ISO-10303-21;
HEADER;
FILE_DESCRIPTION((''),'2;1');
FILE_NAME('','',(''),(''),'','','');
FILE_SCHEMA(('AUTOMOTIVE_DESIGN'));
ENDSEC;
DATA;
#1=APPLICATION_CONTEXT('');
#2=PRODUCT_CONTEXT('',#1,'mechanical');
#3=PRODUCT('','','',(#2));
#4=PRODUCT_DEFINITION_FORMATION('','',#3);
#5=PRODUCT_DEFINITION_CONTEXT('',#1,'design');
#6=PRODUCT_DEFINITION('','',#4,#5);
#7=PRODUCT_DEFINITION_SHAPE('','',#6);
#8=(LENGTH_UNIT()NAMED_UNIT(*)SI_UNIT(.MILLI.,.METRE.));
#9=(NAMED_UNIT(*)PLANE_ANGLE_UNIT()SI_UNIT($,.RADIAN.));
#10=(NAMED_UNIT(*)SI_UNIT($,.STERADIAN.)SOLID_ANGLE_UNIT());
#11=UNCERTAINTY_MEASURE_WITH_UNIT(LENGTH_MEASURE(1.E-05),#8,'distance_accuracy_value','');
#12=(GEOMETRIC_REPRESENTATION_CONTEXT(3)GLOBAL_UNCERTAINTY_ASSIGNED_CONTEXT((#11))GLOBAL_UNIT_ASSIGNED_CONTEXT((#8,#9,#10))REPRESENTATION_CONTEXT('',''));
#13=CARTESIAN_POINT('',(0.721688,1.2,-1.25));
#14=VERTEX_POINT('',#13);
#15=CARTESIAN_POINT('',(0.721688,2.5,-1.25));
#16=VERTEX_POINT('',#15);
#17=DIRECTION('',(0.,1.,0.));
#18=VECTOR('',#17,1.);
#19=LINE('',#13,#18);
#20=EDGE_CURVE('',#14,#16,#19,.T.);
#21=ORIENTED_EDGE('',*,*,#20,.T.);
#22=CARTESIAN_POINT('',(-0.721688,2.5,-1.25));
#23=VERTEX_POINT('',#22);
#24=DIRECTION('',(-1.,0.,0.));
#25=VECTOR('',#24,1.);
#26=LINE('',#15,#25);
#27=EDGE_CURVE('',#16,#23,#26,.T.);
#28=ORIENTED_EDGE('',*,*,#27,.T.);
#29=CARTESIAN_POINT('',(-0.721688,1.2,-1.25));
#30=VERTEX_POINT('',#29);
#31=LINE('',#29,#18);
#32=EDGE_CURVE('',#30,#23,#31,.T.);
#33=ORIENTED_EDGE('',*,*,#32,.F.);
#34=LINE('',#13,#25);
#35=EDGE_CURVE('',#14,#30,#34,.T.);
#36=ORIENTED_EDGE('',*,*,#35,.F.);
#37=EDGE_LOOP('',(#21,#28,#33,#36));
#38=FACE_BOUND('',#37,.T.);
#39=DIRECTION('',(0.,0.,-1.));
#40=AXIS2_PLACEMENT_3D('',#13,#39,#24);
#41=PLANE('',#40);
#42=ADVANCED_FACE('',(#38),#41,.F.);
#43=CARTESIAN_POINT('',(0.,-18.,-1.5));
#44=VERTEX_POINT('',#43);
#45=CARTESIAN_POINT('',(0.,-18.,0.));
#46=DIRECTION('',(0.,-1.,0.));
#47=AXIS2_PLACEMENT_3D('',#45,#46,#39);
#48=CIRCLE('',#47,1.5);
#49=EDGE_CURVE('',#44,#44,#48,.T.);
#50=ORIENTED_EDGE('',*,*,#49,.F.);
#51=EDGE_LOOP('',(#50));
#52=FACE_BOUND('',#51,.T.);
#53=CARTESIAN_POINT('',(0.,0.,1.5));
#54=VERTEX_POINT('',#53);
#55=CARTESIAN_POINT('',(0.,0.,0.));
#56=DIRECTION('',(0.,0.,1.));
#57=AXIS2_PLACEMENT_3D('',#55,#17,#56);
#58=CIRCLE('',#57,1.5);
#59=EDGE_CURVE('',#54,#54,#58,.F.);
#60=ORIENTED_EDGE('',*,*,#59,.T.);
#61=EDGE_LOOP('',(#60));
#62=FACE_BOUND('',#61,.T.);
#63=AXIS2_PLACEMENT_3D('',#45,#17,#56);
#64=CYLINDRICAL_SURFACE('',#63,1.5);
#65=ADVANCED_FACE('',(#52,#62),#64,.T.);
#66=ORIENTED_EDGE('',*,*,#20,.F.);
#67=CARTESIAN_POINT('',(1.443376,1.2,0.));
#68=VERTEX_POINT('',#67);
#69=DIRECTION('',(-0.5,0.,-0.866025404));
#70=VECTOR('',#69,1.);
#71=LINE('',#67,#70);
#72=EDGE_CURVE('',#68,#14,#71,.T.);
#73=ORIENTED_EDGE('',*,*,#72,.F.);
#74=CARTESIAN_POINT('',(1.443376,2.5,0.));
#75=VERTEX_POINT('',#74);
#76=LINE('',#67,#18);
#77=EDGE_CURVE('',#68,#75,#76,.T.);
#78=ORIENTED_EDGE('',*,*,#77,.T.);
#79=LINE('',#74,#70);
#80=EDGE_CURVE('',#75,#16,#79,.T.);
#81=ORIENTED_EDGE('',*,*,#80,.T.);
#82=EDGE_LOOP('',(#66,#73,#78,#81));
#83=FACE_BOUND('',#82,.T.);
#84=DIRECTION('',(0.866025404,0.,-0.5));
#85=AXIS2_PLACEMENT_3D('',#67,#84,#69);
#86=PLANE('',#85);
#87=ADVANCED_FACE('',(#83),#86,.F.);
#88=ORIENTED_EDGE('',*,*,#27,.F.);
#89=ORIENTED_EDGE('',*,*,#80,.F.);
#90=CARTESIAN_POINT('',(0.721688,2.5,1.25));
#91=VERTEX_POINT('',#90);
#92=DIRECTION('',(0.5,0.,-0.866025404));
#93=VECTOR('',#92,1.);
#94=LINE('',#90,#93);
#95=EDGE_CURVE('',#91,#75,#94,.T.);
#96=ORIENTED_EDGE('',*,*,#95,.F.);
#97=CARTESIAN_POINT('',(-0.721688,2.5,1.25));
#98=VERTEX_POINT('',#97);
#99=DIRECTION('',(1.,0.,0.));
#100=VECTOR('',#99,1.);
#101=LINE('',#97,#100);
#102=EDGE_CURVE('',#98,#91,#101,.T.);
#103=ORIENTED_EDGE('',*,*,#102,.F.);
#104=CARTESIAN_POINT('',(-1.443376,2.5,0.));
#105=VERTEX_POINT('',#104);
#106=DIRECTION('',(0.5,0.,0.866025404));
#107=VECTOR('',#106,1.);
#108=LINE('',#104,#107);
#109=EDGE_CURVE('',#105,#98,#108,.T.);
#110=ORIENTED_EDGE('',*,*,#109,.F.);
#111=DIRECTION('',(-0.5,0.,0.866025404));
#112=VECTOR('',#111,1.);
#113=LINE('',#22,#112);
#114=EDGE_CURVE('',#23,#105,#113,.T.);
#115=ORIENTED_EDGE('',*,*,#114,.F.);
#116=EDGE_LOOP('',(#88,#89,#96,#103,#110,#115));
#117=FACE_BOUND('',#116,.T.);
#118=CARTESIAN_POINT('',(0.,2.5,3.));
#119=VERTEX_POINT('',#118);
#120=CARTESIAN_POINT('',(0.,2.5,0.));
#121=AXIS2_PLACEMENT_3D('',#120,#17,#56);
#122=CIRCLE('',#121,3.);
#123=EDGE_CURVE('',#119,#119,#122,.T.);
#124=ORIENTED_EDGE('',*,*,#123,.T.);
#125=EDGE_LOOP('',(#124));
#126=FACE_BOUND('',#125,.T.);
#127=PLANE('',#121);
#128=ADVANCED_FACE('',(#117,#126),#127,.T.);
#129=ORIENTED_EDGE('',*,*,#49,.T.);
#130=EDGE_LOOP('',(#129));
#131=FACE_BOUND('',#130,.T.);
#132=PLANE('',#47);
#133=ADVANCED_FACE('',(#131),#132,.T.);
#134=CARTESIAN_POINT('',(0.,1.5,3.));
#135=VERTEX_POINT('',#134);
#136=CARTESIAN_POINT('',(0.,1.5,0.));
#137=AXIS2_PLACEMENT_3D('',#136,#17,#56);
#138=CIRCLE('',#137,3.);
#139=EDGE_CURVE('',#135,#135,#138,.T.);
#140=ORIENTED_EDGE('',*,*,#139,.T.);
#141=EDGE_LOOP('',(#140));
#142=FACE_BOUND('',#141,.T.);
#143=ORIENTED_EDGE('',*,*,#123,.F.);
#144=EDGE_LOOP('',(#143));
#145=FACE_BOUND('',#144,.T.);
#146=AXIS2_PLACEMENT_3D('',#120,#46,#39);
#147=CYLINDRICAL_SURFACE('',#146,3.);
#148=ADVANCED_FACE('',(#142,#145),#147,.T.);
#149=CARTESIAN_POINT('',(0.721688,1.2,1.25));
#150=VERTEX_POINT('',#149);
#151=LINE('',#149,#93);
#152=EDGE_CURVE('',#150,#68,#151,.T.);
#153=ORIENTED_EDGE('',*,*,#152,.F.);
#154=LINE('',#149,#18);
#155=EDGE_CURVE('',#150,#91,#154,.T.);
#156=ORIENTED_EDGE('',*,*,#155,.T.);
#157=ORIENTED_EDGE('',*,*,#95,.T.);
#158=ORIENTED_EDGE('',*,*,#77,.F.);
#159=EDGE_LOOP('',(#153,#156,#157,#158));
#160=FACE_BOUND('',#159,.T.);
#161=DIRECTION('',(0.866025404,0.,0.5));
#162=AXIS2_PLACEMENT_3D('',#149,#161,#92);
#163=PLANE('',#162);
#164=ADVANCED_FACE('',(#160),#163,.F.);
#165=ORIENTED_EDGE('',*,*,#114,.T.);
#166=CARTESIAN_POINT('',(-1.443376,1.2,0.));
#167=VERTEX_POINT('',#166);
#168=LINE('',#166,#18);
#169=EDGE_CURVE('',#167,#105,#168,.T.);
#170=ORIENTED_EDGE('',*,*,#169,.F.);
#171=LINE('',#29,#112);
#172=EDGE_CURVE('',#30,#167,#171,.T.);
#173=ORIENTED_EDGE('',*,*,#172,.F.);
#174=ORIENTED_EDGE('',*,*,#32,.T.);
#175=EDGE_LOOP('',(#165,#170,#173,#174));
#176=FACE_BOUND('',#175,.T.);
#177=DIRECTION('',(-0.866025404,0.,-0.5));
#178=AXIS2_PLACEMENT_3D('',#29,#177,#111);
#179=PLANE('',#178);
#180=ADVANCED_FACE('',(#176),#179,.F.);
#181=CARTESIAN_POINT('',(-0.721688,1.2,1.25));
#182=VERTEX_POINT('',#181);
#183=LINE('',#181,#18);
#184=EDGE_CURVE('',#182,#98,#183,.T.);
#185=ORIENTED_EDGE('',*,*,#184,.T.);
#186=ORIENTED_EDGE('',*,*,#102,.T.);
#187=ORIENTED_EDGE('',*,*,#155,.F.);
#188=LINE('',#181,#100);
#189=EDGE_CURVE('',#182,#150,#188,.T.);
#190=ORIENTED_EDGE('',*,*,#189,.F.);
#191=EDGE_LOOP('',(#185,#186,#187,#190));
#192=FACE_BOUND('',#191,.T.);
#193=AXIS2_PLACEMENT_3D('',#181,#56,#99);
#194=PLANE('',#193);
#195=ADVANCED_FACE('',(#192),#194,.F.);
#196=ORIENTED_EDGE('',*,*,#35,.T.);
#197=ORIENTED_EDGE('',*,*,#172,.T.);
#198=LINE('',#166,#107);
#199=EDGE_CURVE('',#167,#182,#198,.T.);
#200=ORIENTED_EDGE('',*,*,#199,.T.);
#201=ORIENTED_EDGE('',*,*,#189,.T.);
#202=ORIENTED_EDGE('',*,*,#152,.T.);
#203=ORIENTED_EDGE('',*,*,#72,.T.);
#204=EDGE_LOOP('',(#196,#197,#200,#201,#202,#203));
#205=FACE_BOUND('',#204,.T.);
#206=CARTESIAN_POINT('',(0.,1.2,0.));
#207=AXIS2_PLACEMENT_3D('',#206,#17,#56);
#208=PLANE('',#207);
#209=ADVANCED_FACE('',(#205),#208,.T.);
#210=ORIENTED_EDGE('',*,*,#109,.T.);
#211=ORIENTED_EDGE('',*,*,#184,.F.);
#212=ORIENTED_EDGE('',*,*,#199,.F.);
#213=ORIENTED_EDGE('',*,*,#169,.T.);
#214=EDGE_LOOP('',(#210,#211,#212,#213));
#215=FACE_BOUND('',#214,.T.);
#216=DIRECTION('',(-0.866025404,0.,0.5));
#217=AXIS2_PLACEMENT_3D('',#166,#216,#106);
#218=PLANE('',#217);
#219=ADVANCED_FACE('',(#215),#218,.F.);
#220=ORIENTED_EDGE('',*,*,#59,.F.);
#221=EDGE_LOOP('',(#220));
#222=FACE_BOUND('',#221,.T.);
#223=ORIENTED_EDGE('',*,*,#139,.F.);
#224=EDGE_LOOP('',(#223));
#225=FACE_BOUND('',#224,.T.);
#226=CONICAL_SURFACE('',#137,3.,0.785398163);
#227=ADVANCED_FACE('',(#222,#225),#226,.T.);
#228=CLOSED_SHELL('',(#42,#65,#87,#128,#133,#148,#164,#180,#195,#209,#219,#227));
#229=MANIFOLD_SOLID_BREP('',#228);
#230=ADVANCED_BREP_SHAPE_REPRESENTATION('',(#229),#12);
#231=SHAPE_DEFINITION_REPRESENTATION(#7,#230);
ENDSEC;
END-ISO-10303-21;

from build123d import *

# Parameters (mm, degrees)
SKETCH_1_R            = 3
EXTRUDE_251_DEPTH     = 2.5
CHAMFER_1_SIZE        = 1.5
CUT_EXTRUDE_459_DEPTH = 1.3
SKETCH_3_R            = 1.5
EXTRUDE_571_DEPTH     = 18


with BuildPart() as part:
    # 草图1 → Extrude 251 (new body)
    with BuildSketch(Plane(origin=(0, 0, 0), x_dir=(1, 0, 0), z_dir=(0, 1, 0))):
        Circle(SKETCH_1_R)
    extrude(amount=EXTRUDE_251_DEPTH)

    # 倒角1
    chamfer_1_edges = [part.edges().sort_by_distance(p)[0] for p in [
        (-3, 0, 0),
    ]]
    chamfer(chamfer_1_edges, length=CHAMFER_1_SIZE)

    # 草图2 → Cut-Extrude 459 (cut)
    with BuildSketch(Plane(origin=(0, 2.5, 0), x_dir=(1, 0, 0), z_dir=(0, 1, 0))):
        Polygon((1.443375673, 0), (0.721687836, 1.25), (-0.721687836, 1.25), (-1.443375673, 0), (-0.721687836, -1.25), (0.721687836, -1.25), align=None)
    extrude(amount=-CUT_EXTRUDE_459_DEPTH, mode=Mode.SUBTRACT)

    # 草图3 → Extrude 571 (add)
    with BuildSketch(Plane.XZ):
        Circle(SKETCH_3_R)
    extrude(amount=EXTRUDE_571_DEPTH)


solid = part.part
